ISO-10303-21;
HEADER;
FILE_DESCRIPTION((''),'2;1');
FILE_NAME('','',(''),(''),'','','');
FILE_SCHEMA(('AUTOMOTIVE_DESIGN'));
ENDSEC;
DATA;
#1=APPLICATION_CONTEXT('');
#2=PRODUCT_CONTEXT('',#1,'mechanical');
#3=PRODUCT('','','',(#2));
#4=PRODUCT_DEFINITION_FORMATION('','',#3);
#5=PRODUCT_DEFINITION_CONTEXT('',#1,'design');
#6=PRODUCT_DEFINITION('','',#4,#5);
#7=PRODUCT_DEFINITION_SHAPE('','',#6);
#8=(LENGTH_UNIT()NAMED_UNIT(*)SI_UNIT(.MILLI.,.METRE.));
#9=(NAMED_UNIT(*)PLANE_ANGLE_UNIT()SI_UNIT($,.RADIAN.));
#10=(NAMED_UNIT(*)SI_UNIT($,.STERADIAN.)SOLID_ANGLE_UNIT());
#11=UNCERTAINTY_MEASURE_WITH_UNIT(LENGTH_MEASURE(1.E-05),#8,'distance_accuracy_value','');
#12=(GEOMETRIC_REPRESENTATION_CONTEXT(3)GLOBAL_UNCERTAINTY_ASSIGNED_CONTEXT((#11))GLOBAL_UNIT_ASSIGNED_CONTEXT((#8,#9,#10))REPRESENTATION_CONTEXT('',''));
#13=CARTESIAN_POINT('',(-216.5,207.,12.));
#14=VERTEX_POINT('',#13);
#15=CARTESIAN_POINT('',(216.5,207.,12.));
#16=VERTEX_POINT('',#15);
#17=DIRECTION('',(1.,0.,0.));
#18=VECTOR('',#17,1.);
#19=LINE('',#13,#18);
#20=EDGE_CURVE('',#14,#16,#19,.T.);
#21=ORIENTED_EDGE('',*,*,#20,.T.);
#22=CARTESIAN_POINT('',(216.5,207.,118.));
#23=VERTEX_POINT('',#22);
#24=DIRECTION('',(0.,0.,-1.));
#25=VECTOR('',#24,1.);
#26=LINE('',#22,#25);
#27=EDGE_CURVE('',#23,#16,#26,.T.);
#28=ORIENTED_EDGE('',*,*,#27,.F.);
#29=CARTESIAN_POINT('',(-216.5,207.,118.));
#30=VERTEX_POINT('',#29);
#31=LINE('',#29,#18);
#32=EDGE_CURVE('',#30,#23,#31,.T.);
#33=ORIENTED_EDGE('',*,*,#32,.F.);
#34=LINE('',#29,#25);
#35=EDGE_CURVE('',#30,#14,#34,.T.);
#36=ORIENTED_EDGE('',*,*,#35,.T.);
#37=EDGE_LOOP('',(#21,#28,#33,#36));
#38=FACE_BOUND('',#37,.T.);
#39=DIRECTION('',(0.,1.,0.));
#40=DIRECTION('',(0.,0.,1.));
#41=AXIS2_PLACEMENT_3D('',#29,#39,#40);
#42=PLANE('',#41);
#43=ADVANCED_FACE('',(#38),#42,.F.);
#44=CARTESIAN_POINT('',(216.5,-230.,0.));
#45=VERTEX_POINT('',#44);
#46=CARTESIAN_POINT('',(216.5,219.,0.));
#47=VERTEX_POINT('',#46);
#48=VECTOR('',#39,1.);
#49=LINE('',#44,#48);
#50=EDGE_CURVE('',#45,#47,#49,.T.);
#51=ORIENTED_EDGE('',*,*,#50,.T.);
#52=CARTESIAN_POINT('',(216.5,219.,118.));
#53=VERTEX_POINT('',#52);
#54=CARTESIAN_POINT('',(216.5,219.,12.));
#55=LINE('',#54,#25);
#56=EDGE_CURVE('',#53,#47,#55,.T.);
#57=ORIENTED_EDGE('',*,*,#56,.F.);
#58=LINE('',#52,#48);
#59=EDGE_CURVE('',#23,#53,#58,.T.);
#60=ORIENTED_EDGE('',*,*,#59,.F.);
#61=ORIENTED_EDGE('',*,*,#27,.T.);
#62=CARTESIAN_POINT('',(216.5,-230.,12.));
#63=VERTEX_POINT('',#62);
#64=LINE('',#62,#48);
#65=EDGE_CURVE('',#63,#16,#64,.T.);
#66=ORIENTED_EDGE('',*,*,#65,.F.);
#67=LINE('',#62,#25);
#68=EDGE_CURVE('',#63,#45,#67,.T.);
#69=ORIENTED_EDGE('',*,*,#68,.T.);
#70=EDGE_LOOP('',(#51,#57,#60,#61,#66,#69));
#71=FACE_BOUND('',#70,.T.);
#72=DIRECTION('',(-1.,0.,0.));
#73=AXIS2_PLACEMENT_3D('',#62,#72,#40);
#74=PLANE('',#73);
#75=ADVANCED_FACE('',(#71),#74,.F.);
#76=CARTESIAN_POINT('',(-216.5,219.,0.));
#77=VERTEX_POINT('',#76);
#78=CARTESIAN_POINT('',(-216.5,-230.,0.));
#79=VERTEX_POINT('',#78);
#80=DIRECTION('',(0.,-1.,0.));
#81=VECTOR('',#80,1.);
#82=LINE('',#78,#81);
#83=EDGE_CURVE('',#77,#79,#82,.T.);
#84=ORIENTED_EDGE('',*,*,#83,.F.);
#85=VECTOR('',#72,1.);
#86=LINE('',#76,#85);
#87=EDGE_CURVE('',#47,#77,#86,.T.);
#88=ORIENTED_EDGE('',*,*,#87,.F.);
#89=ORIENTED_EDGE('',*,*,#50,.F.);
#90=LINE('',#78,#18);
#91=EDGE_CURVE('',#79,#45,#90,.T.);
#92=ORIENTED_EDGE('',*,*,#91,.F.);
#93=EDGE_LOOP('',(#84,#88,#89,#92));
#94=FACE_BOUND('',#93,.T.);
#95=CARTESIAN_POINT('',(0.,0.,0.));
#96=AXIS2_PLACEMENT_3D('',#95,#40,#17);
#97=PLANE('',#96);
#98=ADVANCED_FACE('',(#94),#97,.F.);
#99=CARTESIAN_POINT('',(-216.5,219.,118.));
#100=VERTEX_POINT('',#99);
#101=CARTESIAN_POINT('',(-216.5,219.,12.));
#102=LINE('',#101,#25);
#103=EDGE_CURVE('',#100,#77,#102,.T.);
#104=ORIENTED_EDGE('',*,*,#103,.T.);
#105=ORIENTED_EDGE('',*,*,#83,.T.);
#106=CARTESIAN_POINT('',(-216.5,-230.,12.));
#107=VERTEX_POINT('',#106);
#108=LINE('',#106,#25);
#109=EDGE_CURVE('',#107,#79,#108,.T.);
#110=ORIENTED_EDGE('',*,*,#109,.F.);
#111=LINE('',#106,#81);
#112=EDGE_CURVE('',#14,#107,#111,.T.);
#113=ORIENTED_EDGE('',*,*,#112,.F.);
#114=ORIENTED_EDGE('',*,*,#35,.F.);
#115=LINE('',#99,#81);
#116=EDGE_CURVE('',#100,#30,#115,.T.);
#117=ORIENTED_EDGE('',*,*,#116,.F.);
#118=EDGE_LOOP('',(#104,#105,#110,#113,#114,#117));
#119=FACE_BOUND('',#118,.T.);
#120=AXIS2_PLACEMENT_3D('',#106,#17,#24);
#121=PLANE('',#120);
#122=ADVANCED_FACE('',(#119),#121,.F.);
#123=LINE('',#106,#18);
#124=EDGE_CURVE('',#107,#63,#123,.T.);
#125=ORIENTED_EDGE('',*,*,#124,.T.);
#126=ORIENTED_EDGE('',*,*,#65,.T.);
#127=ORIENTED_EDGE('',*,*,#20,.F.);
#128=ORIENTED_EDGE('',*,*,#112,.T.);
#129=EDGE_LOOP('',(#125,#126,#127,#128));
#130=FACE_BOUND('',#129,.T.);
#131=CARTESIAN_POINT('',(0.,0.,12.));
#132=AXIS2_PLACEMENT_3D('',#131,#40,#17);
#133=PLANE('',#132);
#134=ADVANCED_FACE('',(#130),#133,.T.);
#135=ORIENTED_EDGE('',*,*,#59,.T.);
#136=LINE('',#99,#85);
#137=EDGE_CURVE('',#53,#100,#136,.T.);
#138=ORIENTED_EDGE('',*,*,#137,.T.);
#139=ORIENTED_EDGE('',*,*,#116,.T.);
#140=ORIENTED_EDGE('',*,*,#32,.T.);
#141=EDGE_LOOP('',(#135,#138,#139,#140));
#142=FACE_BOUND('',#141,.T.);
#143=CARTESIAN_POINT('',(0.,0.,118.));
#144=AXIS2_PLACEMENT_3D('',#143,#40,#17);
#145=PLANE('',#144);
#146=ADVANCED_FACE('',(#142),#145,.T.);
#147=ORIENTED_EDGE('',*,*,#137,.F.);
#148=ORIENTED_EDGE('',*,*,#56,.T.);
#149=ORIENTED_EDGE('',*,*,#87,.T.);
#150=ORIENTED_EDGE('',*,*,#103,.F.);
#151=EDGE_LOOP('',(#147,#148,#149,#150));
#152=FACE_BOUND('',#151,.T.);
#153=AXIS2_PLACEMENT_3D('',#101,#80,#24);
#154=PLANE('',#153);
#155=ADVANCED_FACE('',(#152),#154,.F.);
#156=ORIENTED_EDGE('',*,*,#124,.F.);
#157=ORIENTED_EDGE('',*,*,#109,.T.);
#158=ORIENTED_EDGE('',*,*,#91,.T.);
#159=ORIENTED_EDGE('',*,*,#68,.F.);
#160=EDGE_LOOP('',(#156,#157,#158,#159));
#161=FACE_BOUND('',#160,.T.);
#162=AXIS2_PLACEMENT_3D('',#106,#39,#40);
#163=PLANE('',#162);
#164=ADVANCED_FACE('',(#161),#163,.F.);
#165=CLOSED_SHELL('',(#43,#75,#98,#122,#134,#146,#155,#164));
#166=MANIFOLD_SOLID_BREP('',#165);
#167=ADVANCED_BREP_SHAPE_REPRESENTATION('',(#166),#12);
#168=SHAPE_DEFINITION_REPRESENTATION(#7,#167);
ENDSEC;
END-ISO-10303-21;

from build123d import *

# Parameters (mm, degrees)
SKETCH1_W           = 433
SKETCH1_H           = 449
BOSS_EXTRUDE1_DEPTH = 12
SKETCH4_W           = 433
SKETCH4_H           = 12
BOSS_EXTRUDE3_DEPTH = 106


with BuildPart() as part:
    # Sketch1 → Boss-Extrude1 (new body)
    with BuildSketch(Plane.XY):
        with Locations((0, -5.5)):
            Rectangle(SKETCH1_W, SKETCH1_H)
    extrude(amount=BOSS_EXTRUDE1_DEPTH)

    # Sketch4 → Boss-Extrude3 (add)
    with BuildSketch(Plane.XY.offset(12)):
        with Locations((0, 213)):
            Rectangle(SKETCH4_W, SKETCH4_H)
    extrude(amount=BOSS_EXTRUDE3_DEPTH)


solid = part.part
